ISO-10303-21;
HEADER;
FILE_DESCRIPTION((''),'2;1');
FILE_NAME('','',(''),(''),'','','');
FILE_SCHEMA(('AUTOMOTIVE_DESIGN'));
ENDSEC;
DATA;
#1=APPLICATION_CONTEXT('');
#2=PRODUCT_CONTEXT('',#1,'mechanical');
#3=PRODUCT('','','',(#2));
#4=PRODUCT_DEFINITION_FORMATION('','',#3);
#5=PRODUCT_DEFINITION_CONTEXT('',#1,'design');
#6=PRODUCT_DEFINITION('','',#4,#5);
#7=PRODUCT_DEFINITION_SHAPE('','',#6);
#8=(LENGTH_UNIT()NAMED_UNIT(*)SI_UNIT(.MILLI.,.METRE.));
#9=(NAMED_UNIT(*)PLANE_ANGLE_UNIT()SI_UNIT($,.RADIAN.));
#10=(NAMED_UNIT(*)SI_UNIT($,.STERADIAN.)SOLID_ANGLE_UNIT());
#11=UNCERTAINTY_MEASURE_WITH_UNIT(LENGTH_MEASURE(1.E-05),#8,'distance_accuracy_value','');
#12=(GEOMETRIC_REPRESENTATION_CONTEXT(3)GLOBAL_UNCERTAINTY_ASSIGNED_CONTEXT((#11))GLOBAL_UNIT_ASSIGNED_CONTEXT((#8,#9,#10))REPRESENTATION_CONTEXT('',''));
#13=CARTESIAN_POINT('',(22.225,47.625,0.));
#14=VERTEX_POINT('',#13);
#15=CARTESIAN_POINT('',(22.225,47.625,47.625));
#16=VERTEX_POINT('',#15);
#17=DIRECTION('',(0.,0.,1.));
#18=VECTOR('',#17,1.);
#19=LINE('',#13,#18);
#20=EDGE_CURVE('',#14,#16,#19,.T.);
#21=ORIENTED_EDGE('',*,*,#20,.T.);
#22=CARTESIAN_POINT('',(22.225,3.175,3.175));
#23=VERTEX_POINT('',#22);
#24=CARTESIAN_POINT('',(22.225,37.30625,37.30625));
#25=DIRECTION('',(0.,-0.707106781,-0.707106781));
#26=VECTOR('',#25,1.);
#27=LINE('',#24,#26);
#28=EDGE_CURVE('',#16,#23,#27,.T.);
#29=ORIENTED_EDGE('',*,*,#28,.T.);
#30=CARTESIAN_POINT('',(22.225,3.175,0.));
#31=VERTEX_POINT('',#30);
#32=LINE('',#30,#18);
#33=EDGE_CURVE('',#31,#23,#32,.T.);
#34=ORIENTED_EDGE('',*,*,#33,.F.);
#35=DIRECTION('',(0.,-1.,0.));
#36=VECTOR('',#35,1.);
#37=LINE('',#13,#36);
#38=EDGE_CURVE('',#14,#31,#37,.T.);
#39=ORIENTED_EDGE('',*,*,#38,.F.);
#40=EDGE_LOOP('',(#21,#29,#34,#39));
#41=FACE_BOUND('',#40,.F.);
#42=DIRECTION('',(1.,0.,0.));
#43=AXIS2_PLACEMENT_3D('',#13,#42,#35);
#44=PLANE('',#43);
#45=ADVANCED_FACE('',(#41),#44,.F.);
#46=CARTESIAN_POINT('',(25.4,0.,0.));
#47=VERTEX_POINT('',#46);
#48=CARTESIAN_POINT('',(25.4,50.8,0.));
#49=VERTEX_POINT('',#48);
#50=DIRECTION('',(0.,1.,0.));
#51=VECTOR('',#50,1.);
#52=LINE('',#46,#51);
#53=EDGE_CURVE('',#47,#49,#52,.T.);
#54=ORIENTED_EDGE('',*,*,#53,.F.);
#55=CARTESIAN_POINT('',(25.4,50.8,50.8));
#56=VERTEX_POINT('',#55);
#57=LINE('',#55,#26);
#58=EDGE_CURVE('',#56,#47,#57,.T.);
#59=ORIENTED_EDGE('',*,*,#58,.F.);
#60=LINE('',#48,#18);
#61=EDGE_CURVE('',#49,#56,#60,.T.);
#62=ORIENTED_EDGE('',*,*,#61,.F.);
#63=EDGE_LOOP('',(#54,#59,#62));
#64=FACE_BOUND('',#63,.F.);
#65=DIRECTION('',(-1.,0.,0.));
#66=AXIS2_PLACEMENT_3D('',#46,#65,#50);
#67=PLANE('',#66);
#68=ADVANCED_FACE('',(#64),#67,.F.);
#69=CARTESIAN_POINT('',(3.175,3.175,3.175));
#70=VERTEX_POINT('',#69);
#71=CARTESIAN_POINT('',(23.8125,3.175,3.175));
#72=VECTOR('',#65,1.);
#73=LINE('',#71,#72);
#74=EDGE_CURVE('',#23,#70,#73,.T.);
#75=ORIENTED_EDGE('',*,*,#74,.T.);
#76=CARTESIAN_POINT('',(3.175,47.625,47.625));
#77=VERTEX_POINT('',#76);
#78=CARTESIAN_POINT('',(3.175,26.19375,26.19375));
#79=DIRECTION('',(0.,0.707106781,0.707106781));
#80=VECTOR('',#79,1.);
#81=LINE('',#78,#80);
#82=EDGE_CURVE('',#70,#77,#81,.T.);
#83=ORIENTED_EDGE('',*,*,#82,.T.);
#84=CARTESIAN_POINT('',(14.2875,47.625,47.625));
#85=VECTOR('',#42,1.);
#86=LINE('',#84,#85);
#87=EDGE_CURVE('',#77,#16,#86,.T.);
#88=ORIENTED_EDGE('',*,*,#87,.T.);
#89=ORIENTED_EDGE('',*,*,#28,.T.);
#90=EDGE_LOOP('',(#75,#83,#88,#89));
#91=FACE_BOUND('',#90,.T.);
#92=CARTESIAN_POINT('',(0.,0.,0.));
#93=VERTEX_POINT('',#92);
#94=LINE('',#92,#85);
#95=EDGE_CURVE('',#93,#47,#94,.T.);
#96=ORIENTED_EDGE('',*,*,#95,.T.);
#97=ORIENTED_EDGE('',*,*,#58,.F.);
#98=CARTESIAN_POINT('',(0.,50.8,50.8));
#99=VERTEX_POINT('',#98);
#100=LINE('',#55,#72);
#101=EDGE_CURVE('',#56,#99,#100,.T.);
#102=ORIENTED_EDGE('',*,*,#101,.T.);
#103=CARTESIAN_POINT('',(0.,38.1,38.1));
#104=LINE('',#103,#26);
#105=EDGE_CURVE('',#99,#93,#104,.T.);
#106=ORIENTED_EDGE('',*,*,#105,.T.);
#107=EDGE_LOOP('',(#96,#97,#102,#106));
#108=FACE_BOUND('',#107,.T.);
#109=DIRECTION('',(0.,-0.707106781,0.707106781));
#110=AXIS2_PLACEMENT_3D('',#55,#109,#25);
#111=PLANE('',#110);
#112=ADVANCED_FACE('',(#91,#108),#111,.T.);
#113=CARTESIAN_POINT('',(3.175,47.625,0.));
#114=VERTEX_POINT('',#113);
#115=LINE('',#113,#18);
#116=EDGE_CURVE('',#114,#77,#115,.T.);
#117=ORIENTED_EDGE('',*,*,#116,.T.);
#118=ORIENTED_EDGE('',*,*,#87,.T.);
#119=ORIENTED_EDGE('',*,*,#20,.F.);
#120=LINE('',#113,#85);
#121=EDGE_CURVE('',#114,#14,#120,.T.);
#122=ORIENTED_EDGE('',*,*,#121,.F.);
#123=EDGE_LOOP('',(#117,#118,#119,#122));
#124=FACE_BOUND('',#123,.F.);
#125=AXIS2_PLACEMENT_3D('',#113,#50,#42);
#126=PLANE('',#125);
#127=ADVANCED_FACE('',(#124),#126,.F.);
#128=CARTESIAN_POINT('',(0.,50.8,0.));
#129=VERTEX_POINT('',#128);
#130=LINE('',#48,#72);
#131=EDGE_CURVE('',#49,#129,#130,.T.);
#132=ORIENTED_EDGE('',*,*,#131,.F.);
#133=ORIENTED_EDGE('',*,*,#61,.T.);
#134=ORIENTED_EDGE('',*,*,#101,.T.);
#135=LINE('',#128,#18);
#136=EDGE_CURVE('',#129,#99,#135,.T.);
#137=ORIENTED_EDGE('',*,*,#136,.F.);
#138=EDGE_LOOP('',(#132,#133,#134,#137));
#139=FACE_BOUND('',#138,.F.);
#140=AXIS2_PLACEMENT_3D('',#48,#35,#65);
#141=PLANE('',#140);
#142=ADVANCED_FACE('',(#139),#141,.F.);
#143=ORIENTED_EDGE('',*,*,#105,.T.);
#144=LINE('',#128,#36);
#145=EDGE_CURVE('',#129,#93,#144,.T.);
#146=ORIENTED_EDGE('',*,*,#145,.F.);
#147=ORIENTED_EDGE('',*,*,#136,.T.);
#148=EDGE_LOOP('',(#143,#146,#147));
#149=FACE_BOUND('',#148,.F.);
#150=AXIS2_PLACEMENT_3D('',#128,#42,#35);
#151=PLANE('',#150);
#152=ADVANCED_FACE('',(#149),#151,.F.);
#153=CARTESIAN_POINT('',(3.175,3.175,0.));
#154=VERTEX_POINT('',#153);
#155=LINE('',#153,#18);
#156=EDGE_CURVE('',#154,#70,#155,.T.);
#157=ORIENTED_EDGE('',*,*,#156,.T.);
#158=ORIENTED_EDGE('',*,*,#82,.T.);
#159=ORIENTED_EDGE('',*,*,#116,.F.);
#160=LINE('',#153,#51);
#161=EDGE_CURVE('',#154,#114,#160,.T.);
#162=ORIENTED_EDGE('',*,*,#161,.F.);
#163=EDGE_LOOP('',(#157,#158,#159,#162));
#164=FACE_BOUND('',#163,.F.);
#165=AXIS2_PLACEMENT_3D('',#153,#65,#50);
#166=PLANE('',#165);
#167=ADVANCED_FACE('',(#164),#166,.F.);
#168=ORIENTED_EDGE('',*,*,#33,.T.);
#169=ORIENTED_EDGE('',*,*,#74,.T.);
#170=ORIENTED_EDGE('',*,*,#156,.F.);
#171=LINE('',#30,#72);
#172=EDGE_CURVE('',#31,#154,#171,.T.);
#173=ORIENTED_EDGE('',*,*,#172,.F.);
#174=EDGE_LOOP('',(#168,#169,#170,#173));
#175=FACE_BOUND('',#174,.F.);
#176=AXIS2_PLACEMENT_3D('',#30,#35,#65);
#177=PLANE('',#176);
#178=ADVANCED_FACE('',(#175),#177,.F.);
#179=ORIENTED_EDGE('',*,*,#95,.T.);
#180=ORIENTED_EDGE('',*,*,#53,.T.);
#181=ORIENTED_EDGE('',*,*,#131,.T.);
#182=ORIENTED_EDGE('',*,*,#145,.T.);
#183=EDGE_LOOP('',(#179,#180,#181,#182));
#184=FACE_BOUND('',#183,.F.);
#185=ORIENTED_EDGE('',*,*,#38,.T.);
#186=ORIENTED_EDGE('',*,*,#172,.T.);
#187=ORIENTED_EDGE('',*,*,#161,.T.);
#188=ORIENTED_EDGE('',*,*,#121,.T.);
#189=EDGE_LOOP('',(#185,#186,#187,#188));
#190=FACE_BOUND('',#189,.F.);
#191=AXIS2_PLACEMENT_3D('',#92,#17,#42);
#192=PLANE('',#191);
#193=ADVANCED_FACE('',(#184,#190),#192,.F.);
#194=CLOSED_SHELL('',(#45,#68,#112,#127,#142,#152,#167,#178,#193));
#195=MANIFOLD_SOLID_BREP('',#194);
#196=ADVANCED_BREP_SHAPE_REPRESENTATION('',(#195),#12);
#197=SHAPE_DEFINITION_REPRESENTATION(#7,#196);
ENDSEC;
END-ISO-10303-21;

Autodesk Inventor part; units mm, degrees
ref_plane "YZ Plane" through (0, 0, 0) normal (1, 0, 0) x (0, 1, 0)
ref_plane "XZ Plane" through (0, 0, 0) normal (0, 1, 0) x (-1, 0, 0)
ref_plane "XY Plane" through (0, 0, 0) normal (0, 0, 1) x (1, 0, 0)
sketch "Sketch1" plane through (0, 0, 0) normal (0, 0, 1) x (1, 0, 0)
  line L0 (0, 0) -> (25.4, 0)
  line L1 (25.4, 0) -> (25.4, 50.8)
  line L2 (25.4, 50.8) -> (0, 50.8)
  line L3 (0, 50.8) -> (0, 0)
  line L4 (3.175, 47.625) -> (22.225, 47.625)
  line L5 (22.225, 47.625) -> (22.225, 3.175)
  line L6 (22.225, 3.175) -> (3.175, 3.175)
  line L7 (3.175, 3.175) -> (3.175, 47.625)
  dimension "d0" = 25.4
  dimension "d1" = 50.8
  dimension "d2" = 3.175
extrude "Extrusion1" add sketch "Sketch1" along normal blind 50.8
sketch "Sketch2" plane through (25.4, 0, 0) normal (1, 0, 0) x (0, 0, -1)
  line L0 (-50.8, 50.8) -> (0, 0)
  line L1 (0, 0) -> (-50.8, 0) projected
  line L2 (0, 0) -> (-50.8, 0)
  line L3 (-50.8, 0) -> (-50.8, 50.8)
extrude "Extrusion2" cut sketch "Sketch2" against normal blind 50.8
properties part number "3 in brcket"
